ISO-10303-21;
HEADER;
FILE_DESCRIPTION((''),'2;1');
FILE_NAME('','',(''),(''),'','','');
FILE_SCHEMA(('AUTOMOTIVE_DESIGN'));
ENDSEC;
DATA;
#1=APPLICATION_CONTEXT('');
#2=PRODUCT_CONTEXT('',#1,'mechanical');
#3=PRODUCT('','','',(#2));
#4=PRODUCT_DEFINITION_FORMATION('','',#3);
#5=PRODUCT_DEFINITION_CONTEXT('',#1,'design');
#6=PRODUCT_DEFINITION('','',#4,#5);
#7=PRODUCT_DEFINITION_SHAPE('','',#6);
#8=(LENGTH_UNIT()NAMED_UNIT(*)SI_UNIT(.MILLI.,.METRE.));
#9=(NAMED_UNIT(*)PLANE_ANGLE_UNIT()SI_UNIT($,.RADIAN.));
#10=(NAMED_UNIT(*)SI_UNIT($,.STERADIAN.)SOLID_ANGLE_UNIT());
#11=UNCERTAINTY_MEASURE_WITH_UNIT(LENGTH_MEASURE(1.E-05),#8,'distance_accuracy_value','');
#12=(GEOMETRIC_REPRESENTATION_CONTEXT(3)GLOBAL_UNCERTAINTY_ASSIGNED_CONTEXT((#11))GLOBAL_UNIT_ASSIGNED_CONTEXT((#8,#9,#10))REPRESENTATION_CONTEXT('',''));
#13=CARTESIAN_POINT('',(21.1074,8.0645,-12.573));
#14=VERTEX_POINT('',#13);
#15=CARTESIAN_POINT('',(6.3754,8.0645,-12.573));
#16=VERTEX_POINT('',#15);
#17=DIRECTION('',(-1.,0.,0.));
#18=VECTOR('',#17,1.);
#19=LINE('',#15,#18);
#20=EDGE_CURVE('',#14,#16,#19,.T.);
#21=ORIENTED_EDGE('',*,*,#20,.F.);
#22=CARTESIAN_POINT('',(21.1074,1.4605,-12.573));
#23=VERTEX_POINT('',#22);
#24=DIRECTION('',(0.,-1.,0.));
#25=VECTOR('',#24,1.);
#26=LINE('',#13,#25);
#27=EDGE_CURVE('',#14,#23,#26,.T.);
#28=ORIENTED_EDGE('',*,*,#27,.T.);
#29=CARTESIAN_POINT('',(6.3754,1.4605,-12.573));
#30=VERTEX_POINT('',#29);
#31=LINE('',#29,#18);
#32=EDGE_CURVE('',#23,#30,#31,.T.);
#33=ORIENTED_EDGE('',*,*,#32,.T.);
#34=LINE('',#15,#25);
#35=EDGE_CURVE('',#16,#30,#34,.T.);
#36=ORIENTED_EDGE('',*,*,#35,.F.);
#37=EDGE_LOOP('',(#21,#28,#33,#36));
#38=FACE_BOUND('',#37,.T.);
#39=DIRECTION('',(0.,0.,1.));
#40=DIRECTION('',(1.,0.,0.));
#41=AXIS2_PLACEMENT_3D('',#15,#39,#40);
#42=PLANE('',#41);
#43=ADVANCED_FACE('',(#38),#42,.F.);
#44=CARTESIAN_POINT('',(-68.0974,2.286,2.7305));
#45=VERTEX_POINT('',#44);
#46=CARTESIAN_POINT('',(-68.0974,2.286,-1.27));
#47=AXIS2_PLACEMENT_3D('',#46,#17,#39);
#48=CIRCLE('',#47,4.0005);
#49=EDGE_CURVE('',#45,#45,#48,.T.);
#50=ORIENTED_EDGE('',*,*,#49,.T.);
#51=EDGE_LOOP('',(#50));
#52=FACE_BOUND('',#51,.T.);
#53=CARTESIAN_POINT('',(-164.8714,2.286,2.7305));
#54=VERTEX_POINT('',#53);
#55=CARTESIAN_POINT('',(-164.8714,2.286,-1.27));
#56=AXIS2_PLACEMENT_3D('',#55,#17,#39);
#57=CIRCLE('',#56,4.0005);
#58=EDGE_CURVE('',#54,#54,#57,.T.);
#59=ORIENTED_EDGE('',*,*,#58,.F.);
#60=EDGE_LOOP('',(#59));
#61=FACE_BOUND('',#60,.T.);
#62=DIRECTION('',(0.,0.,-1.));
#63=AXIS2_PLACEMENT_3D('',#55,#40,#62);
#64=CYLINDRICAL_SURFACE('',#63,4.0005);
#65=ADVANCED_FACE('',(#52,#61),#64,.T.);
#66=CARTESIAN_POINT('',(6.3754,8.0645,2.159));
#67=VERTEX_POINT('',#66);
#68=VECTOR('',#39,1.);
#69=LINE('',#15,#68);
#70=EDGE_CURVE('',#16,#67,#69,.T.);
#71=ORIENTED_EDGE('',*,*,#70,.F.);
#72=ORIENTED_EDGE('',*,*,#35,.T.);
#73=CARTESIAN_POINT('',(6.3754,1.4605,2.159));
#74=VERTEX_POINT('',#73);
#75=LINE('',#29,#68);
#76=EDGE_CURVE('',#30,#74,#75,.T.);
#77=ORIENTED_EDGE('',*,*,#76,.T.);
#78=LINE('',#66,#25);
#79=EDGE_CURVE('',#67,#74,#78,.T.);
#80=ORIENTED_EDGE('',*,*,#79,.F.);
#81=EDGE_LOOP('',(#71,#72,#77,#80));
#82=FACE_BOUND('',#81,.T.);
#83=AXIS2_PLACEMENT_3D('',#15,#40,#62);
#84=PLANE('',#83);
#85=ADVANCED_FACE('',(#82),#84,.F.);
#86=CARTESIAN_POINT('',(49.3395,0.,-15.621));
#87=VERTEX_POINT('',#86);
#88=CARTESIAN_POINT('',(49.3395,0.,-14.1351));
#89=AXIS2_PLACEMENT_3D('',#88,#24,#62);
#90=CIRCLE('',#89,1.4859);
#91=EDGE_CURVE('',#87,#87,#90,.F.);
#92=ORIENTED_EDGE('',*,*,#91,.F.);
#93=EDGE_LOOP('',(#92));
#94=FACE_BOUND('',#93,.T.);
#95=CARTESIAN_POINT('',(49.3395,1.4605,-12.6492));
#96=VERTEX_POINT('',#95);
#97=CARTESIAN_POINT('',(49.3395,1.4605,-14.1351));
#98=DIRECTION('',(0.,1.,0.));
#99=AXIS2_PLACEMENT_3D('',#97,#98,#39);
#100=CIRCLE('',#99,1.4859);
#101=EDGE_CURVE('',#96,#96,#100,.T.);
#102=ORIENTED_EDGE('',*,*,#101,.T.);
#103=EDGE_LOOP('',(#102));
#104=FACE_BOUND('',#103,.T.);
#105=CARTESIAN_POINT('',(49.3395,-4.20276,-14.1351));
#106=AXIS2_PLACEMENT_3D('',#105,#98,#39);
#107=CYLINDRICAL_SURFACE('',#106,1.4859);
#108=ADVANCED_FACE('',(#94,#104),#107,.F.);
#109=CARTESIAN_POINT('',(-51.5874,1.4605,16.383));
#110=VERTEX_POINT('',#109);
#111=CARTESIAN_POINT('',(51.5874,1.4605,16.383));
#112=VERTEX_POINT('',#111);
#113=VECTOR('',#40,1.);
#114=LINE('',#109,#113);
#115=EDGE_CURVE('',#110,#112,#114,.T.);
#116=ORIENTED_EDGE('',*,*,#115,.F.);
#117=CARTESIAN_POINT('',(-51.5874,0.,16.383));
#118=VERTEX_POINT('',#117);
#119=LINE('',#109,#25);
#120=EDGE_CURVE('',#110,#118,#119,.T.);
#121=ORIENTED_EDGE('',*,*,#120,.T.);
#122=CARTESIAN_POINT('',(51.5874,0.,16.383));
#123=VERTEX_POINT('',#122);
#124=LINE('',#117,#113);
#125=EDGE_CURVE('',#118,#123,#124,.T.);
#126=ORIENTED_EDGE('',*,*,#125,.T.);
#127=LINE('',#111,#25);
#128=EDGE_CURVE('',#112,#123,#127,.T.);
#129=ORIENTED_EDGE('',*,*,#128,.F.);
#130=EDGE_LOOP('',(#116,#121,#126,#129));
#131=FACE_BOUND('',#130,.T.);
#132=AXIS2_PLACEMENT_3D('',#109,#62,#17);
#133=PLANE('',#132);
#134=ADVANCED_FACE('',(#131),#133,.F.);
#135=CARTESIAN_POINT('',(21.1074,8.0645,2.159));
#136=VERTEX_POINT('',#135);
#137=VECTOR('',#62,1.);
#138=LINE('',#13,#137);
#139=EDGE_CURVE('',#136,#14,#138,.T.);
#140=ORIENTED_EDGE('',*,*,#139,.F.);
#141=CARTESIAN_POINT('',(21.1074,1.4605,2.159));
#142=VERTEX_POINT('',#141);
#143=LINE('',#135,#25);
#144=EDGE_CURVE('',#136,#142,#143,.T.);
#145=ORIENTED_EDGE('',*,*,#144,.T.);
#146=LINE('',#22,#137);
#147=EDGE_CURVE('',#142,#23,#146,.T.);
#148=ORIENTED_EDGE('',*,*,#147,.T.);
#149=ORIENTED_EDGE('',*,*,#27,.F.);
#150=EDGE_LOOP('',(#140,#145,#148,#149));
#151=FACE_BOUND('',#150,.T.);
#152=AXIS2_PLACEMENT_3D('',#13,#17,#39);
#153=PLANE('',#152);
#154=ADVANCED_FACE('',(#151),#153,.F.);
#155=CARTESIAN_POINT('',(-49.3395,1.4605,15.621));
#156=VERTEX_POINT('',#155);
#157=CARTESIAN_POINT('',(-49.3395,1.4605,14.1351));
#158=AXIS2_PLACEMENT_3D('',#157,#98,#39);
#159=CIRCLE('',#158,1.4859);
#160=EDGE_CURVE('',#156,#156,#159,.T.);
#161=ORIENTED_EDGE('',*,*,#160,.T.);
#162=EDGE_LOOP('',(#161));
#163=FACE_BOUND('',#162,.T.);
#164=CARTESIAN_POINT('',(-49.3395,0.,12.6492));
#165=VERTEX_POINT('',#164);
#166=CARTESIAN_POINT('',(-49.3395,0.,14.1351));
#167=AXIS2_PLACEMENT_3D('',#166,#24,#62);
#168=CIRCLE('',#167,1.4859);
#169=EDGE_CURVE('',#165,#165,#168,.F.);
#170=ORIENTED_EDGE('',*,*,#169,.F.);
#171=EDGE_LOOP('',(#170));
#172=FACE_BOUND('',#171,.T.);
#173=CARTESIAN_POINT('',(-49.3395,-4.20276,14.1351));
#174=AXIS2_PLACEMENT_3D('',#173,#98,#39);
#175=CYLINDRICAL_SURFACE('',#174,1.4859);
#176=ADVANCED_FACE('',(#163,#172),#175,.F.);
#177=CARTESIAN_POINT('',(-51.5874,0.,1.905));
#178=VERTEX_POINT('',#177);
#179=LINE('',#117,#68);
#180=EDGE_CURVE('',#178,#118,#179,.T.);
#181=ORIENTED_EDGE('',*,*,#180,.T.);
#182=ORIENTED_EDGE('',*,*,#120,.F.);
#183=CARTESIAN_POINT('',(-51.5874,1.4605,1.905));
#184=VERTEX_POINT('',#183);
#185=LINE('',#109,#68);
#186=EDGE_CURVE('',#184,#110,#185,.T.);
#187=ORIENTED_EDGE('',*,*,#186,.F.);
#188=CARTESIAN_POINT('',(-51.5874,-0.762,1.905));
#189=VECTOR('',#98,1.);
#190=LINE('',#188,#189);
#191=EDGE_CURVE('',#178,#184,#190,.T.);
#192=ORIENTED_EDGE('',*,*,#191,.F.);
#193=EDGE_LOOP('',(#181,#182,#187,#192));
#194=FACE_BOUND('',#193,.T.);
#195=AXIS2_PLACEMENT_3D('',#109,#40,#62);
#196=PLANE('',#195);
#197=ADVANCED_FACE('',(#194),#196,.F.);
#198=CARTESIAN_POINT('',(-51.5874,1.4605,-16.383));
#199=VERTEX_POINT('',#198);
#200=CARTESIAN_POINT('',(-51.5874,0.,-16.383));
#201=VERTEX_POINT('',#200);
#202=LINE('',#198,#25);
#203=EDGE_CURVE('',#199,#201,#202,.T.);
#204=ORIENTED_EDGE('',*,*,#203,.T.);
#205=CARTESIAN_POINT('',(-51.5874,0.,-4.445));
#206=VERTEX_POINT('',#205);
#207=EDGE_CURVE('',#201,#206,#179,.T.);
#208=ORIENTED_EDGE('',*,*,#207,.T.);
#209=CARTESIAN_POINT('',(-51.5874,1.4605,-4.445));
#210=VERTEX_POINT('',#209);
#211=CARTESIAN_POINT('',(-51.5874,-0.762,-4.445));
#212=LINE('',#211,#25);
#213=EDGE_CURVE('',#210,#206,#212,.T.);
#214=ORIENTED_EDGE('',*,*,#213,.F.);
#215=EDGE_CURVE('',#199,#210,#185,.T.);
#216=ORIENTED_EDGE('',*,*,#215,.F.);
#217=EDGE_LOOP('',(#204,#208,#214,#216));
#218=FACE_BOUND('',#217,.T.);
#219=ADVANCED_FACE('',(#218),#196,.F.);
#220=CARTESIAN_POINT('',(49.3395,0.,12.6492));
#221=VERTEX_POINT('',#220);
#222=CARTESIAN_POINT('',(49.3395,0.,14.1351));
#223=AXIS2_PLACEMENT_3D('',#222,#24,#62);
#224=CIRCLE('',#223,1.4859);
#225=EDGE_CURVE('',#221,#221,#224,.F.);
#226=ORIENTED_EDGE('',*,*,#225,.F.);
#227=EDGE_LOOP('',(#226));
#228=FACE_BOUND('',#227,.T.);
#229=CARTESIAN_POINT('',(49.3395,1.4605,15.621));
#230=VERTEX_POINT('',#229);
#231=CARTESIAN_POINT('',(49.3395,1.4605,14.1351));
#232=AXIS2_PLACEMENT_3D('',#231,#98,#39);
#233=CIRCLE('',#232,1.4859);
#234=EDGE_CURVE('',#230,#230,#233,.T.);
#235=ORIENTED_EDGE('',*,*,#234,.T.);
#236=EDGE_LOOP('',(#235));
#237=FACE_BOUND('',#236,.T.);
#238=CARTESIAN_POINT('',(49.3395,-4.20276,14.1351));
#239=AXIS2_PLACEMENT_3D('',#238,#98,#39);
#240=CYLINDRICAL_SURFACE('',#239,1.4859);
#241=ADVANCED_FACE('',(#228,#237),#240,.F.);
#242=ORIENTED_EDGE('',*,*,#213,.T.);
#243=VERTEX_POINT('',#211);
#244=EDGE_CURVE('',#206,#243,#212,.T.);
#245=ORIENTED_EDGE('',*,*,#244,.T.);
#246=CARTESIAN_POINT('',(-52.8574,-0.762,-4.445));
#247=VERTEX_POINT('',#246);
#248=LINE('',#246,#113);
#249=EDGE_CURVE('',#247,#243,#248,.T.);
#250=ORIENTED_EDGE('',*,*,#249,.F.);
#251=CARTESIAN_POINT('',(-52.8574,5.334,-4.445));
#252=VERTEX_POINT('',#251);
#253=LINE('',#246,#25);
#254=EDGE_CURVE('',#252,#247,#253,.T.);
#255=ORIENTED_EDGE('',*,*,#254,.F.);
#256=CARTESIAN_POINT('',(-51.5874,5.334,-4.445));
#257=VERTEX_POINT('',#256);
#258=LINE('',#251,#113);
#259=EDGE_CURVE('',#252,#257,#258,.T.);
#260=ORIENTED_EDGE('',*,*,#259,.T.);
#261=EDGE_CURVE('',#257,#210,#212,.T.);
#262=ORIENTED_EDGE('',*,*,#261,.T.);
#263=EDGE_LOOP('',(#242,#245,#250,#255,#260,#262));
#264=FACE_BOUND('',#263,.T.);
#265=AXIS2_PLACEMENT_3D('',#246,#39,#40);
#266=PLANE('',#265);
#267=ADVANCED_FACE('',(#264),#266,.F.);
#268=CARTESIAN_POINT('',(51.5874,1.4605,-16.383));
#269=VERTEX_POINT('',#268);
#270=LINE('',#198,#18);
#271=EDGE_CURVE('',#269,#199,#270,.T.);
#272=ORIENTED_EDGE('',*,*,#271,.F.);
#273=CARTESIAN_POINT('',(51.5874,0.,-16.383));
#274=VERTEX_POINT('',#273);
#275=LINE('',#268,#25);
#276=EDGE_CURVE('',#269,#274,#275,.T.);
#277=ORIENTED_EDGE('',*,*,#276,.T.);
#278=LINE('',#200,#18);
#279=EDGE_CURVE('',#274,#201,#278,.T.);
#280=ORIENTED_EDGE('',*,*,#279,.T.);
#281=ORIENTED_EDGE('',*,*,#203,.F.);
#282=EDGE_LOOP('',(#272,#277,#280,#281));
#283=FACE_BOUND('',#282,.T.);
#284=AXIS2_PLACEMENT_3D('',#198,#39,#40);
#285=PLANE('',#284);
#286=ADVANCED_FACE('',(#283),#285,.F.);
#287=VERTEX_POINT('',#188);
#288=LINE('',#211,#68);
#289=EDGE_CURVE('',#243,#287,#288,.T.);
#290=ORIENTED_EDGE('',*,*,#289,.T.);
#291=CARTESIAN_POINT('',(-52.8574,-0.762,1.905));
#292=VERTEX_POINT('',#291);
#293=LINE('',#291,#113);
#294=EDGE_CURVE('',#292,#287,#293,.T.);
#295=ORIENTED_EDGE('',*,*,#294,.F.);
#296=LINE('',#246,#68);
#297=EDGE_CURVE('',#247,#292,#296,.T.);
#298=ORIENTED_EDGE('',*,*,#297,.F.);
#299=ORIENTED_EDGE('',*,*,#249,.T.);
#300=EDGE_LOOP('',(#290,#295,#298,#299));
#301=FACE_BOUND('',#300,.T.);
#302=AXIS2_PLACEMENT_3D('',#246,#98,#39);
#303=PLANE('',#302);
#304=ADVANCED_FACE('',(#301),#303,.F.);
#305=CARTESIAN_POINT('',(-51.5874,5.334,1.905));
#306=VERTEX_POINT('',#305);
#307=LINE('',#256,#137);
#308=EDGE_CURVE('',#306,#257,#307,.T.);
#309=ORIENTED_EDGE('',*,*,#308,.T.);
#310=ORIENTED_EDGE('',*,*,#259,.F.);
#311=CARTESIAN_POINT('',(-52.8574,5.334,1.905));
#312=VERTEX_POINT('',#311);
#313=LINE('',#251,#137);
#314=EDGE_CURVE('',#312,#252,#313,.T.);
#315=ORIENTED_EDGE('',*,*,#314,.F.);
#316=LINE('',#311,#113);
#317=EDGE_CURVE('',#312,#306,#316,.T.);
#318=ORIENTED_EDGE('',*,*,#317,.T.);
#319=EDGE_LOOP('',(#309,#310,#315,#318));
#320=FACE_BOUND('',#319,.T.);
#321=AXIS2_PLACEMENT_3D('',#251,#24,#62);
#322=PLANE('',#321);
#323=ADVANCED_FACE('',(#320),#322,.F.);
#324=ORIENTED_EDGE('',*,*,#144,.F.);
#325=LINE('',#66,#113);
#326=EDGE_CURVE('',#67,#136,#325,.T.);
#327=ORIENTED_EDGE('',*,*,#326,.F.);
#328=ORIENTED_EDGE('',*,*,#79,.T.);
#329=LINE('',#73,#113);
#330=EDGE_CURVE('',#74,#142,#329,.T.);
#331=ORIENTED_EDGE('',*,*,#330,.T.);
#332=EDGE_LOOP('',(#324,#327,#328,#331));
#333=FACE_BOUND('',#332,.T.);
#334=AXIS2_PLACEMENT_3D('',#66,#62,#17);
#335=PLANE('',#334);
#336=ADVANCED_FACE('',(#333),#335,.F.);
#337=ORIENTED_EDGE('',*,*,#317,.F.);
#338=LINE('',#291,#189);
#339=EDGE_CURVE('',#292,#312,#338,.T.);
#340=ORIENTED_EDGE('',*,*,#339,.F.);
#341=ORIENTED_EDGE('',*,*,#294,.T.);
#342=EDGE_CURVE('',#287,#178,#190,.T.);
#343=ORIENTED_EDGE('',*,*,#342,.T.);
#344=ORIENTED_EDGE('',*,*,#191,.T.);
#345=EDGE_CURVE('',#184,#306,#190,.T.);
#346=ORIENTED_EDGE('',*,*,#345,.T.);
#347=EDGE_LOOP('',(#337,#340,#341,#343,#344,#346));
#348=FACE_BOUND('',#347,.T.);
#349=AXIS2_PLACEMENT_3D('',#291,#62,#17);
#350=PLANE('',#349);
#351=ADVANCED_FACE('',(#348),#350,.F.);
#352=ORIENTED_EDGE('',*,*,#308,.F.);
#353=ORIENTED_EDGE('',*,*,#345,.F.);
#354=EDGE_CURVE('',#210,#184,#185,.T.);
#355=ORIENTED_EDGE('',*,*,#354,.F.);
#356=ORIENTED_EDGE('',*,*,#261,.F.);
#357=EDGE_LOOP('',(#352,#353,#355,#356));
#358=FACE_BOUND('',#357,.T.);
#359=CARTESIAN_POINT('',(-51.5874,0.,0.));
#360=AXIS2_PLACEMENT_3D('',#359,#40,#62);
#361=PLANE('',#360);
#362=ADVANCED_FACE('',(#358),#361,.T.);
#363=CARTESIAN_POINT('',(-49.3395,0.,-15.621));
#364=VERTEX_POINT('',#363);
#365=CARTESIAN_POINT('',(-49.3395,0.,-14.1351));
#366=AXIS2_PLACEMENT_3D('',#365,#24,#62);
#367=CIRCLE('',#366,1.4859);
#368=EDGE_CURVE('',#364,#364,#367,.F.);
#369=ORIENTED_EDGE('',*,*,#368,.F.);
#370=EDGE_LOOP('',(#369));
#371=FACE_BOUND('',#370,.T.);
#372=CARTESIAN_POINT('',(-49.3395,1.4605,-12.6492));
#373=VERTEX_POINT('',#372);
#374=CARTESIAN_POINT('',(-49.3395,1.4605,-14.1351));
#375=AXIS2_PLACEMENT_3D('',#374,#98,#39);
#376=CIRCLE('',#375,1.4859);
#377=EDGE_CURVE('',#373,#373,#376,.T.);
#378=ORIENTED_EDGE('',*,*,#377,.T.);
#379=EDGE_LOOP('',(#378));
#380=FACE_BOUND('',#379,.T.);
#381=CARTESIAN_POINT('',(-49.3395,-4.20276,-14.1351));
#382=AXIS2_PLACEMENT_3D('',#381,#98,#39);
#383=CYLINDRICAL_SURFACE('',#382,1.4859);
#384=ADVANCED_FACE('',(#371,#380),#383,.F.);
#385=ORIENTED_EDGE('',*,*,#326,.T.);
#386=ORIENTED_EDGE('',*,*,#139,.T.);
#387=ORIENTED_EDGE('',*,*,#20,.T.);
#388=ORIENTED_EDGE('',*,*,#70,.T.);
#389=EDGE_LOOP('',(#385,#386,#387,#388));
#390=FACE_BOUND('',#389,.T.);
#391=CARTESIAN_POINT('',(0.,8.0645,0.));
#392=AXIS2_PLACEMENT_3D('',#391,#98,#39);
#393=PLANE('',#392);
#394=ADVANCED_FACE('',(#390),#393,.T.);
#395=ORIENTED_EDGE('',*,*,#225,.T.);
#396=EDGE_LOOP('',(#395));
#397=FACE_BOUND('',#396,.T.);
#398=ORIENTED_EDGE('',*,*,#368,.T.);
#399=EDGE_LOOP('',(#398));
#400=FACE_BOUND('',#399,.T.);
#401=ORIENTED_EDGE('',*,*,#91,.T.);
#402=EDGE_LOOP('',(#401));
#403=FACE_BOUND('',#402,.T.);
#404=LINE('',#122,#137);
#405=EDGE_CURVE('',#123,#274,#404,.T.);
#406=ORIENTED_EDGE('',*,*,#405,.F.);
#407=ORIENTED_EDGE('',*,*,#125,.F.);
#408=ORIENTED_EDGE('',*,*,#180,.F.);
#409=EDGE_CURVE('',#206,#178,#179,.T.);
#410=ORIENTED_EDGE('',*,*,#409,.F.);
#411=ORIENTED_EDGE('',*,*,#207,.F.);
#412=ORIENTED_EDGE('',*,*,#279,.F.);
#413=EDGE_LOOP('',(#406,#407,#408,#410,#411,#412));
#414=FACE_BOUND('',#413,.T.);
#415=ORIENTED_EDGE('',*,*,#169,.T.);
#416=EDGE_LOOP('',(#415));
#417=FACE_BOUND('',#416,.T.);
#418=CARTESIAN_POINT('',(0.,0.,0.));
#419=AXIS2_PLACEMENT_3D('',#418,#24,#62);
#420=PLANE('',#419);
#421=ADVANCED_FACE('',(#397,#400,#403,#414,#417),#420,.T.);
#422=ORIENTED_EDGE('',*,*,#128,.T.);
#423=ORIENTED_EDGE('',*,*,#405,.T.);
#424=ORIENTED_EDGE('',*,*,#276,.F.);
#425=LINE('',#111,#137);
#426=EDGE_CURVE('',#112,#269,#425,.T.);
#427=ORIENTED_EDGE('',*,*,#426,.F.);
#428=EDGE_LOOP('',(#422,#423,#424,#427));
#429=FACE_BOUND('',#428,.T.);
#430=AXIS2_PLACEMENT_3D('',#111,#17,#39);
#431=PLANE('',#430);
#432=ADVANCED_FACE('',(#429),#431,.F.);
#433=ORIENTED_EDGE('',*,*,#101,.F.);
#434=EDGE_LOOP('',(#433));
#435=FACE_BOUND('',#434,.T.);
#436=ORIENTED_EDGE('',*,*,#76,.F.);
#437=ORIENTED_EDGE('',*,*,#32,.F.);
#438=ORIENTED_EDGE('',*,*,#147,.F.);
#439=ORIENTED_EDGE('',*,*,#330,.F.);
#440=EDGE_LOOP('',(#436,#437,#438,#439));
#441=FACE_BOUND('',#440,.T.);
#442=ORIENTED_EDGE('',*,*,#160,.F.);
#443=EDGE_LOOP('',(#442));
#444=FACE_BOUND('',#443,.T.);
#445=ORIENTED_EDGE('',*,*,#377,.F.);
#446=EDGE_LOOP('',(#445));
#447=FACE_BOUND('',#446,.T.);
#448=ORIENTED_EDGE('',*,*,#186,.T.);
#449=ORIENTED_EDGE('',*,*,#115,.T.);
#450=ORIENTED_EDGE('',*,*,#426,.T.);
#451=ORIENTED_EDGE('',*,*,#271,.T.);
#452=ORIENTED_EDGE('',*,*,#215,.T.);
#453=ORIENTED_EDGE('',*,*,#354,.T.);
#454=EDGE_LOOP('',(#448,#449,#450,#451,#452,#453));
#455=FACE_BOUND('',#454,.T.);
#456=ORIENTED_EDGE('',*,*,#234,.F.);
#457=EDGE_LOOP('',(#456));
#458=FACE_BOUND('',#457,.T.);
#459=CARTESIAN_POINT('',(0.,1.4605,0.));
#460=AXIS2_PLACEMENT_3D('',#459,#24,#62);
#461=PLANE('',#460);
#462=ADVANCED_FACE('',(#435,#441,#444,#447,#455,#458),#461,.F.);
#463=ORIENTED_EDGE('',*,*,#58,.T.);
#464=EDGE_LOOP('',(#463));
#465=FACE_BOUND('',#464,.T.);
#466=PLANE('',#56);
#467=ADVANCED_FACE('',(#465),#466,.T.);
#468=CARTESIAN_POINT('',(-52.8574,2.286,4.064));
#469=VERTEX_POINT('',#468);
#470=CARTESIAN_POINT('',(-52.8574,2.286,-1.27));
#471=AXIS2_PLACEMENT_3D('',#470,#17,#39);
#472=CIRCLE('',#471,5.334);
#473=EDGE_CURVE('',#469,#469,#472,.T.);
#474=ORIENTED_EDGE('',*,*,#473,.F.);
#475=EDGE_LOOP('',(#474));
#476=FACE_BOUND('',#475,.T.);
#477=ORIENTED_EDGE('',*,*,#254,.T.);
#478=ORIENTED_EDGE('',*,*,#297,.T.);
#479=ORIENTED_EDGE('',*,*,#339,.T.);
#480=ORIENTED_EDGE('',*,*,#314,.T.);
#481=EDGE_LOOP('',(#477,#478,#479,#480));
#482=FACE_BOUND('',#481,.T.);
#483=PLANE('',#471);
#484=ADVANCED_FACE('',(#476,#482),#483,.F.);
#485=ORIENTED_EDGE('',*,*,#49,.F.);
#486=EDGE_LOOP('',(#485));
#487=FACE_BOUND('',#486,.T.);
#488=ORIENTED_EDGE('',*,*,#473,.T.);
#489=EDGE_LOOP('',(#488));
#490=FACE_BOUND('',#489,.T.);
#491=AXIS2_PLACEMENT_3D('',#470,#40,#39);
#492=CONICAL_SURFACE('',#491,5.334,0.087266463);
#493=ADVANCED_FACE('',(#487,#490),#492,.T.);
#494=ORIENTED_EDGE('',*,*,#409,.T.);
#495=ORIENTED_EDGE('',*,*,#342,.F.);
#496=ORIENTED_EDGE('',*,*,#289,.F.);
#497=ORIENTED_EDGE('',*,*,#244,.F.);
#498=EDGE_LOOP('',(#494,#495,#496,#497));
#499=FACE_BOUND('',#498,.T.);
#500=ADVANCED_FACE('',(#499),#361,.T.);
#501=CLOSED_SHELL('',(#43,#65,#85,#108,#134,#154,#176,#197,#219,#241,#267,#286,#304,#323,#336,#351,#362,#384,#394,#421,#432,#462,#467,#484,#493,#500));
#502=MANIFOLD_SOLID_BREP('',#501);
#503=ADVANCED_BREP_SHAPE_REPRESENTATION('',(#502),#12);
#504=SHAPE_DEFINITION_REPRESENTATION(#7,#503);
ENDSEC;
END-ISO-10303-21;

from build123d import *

# Parameters (mm, degrees)
SKETCH1_W             = 103.1748
SKETCH1_H             = 32.766
TRS_PCB_DEPTH         = 1.4605
SKETCH2_R             = 1.4859
STAND_OFF_HOLES_DEPTH = 1.4605
SKETCH3_W             = 14.732
SKETCH3_H             = 14.732
GPS_ANTENNA_DEPTH     = 6.604
SKETCH4_W             = 6.35
SKETCH4_H             = 6.096
BOSS_EXTRUDE2_DEPTH   = 1.27
SKETCH5_R             = 5.334
BOSS_EXTRUDE3_DEPTH   = 15.24
BOSS_EXTRUDE3_TAPER   = 5
SKETCH6_R             = 4.0005
BOSS_EXTRUDE4_DEPTH   = 96.774


with BuildPart() as part:
    # Sketch1 → TRS PCB (new body)
    with BuildSketch(Plane(origin=(0, 0, 0), x_dir=(1, 0, 0), z_dir=(0, 1, 0))):
        Rectangle(SKETCH1_W, SKETCH1_H)
    extrude(amount=TRS_PCB_DEPTH)

    # Sketch2 → Stand off holes (cut)
    with BuildSketch(Plane(origin=(0, 1.4605, 0), x_dir=(1, 0, 0), z_dir=(0, 1, 0))):
        with Locations((-49.3395, 14.1351)):
            Circle(SKETCH2_R)
        with Locations((49.3395, 14.1351)):
            Circle(SKETCH2_R)
        with Locations((49.3395, -14.1351)):
            Circle(SKETCH2_R)
        with Locations((-49.3395, -14.1351)):
            Circle(SKETCH2_R)
    extrude(amount=-STAND_OFF_HOLES_DEPTH, mode=Mode.SUBTRACT)

    # Sketch3 → GPS Antenna (add)
    with BuildSketch(Plane(origin=(0, 1.4605, 0), x_dir=(1, 0, 0), z_dir=(0, 1, 0))):
        with Locations((13.7414, 5.207)):
            Rectangle(SKETCH3_W, SKETCH3_H)
    extrude(amount=GPS_ANTENNA_DEPTH)

    # Sketch4 → Boss-Extrude2 (add)
    with BuildSketch(Plane.ZY.offset(51.5874)):
        with Locations((-1.27, 2.286)):
            Rectangle(SKETCH4_W, SKETCH4_H)
    extrude(amount=BOSS_EXTRUDE2_DEPTH)

    # Sketch5 → Boss-Extrude3 (add)
    with BuildSketch(Plane.ZY.offset(52.8574)):
        with Locations((-1.27, 2.286)):
            Circle(SKETCH5_R)
    extrude(amount=BOSS_EXTRUDE3_DEPTH, taper=BOSS_EXTRUDE3_TAPER)

    # Sketch6 → Boss-Extrude4 (add)
    with BuildSketch(Plane.ZY.offset(68.0974)):
        with Locations((-1.27, 2.286)):
            Circle(SKETCH6_R)
    extrude(amount=BOSS_EXTRUDE4_DEPTH)


solid = part.part
